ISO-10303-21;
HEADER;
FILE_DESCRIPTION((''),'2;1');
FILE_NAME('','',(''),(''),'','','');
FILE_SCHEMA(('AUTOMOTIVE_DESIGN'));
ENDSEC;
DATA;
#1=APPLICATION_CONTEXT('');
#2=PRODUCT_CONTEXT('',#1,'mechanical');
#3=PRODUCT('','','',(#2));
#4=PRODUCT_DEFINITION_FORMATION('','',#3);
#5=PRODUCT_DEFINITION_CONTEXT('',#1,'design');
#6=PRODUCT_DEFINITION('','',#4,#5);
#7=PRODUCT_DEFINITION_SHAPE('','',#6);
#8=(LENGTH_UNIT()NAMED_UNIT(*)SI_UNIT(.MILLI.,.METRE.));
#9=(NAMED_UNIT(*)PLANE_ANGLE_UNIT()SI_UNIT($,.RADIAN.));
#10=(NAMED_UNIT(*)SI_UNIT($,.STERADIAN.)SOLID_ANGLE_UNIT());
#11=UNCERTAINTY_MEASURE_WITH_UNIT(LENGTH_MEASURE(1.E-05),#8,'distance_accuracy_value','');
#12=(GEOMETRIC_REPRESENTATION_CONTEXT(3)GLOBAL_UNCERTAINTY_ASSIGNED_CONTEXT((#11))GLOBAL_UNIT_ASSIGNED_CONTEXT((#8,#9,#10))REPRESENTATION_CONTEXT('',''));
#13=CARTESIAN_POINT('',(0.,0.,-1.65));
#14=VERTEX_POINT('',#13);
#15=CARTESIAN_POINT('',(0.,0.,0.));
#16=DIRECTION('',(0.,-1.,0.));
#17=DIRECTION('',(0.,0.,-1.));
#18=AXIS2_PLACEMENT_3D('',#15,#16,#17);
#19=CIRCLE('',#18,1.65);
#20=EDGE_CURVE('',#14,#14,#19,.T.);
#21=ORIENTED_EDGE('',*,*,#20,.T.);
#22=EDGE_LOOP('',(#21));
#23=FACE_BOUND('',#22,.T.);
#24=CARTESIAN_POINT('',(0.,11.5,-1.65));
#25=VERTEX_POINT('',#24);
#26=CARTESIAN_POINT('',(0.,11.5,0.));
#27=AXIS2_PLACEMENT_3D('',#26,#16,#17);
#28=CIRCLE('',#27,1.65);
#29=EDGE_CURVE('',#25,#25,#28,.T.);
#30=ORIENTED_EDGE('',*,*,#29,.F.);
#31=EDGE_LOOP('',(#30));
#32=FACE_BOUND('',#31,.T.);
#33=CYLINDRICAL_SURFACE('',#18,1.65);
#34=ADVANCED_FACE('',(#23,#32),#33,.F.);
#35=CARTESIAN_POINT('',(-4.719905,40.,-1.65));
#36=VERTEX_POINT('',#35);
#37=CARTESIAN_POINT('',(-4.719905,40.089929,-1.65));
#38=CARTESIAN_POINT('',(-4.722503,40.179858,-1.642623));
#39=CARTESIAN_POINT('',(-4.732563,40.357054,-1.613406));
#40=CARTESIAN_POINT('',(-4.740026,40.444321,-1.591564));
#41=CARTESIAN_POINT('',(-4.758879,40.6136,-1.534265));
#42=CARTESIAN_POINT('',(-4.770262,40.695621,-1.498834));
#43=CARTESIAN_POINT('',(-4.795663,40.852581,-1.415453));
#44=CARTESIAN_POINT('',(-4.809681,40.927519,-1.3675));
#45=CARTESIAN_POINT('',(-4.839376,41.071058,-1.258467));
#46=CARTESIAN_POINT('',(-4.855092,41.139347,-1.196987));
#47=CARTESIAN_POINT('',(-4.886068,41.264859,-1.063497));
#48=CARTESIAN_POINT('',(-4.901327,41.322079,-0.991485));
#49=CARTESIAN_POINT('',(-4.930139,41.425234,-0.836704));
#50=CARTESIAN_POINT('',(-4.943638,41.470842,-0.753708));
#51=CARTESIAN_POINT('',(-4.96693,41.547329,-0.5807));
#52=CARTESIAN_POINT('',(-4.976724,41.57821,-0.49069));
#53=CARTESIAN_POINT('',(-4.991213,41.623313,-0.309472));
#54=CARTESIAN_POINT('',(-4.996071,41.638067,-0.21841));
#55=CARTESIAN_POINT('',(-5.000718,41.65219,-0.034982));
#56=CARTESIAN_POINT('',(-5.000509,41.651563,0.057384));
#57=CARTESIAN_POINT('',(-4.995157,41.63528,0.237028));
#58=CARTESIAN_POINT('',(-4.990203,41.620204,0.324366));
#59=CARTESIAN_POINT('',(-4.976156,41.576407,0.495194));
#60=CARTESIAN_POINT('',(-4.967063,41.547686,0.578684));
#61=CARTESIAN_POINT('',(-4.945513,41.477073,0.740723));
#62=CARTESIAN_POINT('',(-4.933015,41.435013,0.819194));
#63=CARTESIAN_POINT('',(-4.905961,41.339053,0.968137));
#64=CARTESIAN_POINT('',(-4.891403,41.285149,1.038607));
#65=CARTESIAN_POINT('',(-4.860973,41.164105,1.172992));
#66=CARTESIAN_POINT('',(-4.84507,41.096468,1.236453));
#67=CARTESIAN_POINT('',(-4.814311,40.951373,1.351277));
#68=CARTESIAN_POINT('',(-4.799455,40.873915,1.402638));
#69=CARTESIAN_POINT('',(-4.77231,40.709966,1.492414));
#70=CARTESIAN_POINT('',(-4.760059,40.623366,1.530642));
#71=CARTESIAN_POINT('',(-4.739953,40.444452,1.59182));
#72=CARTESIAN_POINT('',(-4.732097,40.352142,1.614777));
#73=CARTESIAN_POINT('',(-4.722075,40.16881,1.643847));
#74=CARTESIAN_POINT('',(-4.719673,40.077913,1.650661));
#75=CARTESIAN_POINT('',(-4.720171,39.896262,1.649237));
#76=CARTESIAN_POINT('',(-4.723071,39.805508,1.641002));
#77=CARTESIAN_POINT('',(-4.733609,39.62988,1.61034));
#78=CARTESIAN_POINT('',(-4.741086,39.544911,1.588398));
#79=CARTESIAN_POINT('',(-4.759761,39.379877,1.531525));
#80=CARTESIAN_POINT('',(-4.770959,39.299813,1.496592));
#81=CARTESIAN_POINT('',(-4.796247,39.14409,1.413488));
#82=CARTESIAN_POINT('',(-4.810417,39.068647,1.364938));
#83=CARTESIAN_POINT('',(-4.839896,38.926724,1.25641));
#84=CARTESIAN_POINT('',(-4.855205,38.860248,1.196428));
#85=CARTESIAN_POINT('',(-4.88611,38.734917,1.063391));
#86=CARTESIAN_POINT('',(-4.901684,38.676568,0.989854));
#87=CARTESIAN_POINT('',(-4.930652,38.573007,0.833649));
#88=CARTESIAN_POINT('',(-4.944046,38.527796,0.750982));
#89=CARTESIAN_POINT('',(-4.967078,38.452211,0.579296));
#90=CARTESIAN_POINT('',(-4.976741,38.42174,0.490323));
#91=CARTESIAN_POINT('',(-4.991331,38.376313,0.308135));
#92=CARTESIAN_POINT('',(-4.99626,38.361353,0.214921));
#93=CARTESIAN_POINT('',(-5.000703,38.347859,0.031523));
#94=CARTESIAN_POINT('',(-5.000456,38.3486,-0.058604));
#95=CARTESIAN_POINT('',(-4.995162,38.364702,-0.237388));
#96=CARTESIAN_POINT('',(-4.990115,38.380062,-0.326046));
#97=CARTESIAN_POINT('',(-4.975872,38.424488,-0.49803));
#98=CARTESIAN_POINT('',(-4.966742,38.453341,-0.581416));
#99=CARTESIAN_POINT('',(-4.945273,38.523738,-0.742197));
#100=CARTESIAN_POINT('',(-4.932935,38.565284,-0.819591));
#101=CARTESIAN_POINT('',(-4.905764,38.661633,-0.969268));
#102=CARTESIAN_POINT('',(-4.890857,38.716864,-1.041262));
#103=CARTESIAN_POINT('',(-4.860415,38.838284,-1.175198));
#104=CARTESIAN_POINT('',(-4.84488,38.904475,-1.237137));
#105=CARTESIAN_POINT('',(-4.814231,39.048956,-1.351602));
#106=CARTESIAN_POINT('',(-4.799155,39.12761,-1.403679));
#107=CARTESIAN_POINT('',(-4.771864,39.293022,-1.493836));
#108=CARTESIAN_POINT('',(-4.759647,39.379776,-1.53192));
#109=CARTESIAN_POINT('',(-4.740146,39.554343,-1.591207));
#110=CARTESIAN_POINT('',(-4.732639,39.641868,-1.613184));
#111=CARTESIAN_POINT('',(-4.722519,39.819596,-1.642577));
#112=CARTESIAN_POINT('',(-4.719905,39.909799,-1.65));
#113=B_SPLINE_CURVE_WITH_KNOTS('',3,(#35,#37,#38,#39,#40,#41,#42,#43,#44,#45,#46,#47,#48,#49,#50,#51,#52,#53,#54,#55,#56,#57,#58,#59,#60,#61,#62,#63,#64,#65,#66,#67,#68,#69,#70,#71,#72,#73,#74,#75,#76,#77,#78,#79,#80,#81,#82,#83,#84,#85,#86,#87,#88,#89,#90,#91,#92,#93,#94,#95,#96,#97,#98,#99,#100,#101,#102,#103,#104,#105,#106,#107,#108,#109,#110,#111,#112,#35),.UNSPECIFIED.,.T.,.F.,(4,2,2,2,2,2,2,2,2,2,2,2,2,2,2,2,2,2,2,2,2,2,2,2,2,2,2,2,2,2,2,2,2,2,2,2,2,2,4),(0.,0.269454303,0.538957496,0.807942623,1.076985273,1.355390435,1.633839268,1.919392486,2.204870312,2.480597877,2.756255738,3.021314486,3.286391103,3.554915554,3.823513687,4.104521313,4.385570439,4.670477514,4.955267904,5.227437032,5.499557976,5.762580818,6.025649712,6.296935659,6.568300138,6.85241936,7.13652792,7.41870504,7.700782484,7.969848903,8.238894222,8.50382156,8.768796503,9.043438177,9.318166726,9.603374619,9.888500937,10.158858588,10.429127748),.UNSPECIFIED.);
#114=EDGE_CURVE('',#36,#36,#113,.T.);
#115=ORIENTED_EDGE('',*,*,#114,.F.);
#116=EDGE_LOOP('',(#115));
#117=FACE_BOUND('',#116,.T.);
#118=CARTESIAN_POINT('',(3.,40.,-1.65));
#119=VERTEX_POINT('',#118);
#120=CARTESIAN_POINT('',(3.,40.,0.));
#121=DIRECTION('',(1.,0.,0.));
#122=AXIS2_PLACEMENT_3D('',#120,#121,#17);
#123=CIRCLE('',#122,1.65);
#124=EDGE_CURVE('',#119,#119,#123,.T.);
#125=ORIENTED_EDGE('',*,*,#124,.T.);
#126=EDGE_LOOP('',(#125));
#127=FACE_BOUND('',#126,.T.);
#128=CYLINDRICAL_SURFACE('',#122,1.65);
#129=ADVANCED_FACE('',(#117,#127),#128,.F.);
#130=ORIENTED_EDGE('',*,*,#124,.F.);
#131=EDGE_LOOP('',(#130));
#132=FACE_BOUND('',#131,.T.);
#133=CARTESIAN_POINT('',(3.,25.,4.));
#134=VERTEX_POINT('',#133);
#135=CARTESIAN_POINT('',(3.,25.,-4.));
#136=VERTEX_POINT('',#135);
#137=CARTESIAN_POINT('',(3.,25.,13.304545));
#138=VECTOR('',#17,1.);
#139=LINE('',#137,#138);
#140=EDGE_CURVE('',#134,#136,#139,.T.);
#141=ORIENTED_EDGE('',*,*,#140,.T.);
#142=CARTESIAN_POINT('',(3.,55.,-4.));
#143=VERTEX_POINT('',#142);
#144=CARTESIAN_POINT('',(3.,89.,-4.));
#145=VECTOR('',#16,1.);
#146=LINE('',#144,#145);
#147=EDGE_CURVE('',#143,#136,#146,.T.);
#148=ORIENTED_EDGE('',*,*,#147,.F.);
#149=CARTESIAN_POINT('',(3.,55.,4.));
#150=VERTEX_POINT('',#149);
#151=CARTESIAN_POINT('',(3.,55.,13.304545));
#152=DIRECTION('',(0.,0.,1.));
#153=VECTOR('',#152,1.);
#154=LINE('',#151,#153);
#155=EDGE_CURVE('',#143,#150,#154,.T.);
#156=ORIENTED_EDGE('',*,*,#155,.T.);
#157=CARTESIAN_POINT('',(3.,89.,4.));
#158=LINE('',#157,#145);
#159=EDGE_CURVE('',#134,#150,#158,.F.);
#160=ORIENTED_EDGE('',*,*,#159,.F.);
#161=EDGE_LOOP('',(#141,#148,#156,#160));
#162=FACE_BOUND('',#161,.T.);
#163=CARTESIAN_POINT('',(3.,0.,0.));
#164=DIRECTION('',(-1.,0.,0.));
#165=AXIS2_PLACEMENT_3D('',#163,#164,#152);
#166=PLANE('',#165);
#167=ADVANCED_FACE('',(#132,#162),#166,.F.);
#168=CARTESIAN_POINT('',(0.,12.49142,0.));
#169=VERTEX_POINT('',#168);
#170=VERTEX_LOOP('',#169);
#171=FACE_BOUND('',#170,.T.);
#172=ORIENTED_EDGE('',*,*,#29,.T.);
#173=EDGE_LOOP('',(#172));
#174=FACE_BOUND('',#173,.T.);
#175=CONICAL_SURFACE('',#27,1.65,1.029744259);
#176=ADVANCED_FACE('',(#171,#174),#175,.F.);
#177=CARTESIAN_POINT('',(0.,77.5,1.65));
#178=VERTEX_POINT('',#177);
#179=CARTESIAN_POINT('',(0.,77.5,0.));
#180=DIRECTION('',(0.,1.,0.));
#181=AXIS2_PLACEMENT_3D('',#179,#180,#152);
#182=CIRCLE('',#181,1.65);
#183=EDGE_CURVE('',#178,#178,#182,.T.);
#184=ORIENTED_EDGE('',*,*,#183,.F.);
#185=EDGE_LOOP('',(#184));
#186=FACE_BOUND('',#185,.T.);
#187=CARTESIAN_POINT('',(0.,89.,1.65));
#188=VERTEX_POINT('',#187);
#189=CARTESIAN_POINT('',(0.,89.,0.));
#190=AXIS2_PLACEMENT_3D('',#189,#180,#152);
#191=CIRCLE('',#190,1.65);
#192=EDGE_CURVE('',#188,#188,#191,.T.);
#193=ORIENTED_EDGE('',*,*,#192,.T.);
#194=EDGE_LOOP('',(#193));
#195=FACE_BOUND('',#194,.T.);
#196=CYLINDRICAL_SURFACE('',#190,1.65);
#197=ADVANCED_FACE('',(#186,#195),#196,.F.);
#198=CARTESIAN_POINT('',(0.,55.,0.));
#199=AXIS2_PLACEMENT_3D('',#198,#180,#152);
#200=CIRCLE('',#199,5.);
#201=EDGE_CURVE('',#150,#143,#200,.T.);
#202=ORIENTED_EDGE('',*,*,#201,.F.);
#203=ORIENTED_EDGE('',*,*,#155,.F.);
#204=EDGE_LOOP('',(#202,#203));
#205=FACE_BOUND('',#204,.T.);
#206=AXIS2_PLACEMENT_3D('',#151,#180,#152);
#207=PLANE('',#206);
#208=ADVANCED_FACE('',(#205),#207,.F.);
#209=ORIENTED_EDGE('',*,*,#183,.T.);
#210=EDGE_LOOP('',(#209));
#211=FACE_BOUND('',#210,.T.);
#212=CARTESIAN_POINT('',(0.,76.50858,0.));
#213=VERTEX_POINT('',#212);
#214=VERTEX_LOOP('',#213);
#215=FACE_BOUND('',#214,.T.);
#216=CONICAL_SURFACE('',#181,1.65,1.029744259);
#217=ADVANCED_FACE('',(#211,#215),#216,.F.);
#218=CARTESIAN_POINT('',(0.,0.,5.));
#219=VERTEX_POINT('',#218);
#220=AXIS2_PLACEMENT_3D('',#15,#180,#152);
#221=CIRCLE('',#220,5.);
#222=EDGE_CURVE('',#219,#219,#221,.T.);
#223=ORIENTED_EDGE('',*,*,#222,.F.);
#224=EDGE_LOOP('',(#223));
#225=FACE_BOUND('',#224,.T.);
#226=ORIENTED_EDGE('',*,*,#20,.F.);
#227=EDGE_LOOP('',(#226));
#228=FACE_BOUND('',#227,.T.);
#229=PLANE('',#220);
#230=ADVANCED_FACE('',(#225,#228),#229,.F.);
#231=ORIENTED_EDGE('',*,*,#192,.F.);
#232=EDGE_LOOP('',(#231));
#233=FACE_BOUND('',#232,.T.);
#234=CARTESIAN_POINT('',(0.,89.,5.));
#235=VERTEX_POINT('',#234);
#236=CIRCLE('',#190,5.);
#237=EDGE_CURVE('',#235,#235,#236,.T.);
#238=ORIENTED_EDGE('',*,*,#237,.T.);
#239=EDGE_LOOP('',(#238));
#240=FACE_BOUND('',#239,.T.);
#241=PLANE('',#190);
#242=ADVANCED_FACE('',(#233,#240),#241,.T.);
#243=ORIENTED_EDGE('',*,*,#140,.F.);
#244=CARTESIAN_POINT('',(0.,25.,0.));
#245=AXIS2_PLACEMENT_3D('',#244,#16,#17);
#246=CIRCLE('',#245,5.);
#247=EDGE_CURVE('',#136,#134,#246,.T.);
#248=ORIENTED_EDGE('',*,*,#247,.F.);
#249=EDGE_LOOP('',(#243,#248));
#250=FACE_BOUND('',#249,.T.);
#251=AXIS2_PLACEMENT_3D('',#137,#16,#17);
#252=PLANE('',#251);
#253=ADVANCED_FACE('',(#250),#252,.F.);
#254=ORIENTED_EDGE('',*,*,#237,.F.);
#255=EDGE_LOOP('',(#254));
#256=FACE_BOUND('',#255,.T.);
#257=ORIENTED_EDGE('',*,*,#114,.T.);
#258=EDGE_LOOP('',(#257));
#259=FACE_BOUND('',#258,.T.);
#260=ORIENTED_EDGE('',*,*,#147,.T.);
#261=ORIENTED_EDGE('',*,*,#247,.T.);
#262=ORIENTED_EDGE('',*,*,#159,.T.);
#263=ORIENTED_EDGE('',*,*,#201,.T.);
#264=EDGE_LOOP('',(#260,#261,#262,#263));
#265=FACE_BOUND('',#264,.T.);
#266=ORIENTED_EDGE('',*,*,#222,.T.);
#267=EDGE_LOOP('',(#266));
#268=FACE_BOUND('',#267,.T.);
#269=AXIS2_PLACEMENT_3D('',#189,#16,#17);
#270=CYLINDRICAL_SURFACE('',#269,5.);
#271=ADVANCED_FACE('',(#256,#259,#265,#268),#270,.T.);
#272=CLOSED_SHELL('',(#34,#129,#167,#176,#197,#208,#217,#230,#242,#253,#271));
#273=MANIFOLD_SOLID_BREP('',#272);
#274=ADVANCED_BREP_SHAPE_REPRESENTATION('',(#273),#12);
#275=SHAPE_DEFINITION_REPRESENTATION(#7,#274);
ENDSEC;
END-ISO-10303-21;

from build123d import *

# Parameters (mm, degrees)
SKETCH_1_R             = 5
EXTRUDE_1_DEPTH        = 89
HOLE_WIZARD_M4_2_D     = 3.3
HOLE_WIZARD_M4_2_DEPTH = 11.5
HOLE_WIZARD_M4_2_TIP   = 0.991420021
HOLE_WIZARD_M4_1_D     = 3.3
HOLE_WIZARD_M4_1_DEPTH = 11.5
HOLE_WIZARD_M4_1_TIP   = 0.991420021
CUT_EXTRUDE_START      = 5
SKETCH_7_W             = 26.609090492
SKETCH_7_H             = 30
CUT_EXTRUDE_1_DEPTH    = 2
HOLE_WIZARD_M4_3_D     = 3.3
HOLE_WIZARD_M4_3_DEPTH = 11.5
HOLE_WIZARD_M4_3_TIP   = 0.991420021


with BuildPart() as part:
    # 草图1 → 凸台-拉伸1 (new body)
    with BuildSketch(Plane(origin=(0, 0, 0), x_dir=(1, 0, 0), z_dir=(0, 1, 0))):
        with Locations(Location((0, 0, 0), (0, 0, 270))):
            Circle(SKETCH_1_R)
    extrude(amount=EXTRUDE_1_DEPTH)

    # M4 螺纹孔2
    with Locations(Plane(origin=(0, 89, 0), x_dir=(1, 0, 0), z_dir=(0, 1, 0))):
        with Locations((0, 0)):
            Hole(HOLE_WIZARD_M4_2_D / 2, depth=HOLE_WIZARD_M4_2_DEPTH)
            with Locations((0, 0, -(HOLE_WIZARD_M4_2_DEPTH + HOLE_WIZARD_M4_2_TIP / 2))):  # 118° drill point
                Cone(0, HOLE_WIZARD_M4_2_D / 2, HOLE_WIZARD_M4_2_TIP, mode=Mode.SUBTRACT)

    # M4 螺纹孔1
    with Locations(Plane(origin=(0, 0, 0), x_dir=(-1, 0, 0), z_dir=(0, -1, 0))):
        with Locations((0, 0)):
            Hole(HOLE_WIZARD_M4_1_D / 2, depth=HOLE_WIZARD_M4_1_DEPTH)
            with Locations((0, 0, -(HOLE_WIZARD_M4_1_DEPTH + HOLE_WIZARD_M4_1_TIP / 2))):  # 118° drill point
                Cone(0, HOLE_WIZARD_M4_1_D / 2, HOLE_WIZARD_M4_1_TIP, mode=Mode.SUBTRACT)

    # 草图7 → 切除-拉伸1 (cut)
    with BuildSketch(Plane(origin=(0, 0, 0), x_dir=(0, 0, -1), z_dir=(1, 0, 0)).offset(CUT_EXTRUDE_START)):
        with Locations((0, 40)):
            Rectangle(SKETCH_7_W, SKETCH_7_H)
    extrude(amount=-CUT_EXTRUDE_1_DEPTH, mode=Mode.SUBTRACT)

    # M4 螺纹孔3
    with Locations(Plane(origin=(3, 0, 0), x_dir=(0, 0, -1), z_dir=(1, 0, 0))):
        with Locations((0, 40)):
            Hole(HOLE_WIZARD_M4_3_D / 2, depth=HOLE_WIZARD_M4_3_DEPTH)
            with Locations((0, 0, -(HOLE_WIZARD_M4_3_DEPTH + HOLE_WIZARD_M4_3_TIP / 2))):  # 118° drill point
                Cone(0, HOLE_WIZARD_M4_3_D / 2, HOLE_WIZARD_M4_3_TIP, mode=Mode.SUBTRACT)


solid = part.part
